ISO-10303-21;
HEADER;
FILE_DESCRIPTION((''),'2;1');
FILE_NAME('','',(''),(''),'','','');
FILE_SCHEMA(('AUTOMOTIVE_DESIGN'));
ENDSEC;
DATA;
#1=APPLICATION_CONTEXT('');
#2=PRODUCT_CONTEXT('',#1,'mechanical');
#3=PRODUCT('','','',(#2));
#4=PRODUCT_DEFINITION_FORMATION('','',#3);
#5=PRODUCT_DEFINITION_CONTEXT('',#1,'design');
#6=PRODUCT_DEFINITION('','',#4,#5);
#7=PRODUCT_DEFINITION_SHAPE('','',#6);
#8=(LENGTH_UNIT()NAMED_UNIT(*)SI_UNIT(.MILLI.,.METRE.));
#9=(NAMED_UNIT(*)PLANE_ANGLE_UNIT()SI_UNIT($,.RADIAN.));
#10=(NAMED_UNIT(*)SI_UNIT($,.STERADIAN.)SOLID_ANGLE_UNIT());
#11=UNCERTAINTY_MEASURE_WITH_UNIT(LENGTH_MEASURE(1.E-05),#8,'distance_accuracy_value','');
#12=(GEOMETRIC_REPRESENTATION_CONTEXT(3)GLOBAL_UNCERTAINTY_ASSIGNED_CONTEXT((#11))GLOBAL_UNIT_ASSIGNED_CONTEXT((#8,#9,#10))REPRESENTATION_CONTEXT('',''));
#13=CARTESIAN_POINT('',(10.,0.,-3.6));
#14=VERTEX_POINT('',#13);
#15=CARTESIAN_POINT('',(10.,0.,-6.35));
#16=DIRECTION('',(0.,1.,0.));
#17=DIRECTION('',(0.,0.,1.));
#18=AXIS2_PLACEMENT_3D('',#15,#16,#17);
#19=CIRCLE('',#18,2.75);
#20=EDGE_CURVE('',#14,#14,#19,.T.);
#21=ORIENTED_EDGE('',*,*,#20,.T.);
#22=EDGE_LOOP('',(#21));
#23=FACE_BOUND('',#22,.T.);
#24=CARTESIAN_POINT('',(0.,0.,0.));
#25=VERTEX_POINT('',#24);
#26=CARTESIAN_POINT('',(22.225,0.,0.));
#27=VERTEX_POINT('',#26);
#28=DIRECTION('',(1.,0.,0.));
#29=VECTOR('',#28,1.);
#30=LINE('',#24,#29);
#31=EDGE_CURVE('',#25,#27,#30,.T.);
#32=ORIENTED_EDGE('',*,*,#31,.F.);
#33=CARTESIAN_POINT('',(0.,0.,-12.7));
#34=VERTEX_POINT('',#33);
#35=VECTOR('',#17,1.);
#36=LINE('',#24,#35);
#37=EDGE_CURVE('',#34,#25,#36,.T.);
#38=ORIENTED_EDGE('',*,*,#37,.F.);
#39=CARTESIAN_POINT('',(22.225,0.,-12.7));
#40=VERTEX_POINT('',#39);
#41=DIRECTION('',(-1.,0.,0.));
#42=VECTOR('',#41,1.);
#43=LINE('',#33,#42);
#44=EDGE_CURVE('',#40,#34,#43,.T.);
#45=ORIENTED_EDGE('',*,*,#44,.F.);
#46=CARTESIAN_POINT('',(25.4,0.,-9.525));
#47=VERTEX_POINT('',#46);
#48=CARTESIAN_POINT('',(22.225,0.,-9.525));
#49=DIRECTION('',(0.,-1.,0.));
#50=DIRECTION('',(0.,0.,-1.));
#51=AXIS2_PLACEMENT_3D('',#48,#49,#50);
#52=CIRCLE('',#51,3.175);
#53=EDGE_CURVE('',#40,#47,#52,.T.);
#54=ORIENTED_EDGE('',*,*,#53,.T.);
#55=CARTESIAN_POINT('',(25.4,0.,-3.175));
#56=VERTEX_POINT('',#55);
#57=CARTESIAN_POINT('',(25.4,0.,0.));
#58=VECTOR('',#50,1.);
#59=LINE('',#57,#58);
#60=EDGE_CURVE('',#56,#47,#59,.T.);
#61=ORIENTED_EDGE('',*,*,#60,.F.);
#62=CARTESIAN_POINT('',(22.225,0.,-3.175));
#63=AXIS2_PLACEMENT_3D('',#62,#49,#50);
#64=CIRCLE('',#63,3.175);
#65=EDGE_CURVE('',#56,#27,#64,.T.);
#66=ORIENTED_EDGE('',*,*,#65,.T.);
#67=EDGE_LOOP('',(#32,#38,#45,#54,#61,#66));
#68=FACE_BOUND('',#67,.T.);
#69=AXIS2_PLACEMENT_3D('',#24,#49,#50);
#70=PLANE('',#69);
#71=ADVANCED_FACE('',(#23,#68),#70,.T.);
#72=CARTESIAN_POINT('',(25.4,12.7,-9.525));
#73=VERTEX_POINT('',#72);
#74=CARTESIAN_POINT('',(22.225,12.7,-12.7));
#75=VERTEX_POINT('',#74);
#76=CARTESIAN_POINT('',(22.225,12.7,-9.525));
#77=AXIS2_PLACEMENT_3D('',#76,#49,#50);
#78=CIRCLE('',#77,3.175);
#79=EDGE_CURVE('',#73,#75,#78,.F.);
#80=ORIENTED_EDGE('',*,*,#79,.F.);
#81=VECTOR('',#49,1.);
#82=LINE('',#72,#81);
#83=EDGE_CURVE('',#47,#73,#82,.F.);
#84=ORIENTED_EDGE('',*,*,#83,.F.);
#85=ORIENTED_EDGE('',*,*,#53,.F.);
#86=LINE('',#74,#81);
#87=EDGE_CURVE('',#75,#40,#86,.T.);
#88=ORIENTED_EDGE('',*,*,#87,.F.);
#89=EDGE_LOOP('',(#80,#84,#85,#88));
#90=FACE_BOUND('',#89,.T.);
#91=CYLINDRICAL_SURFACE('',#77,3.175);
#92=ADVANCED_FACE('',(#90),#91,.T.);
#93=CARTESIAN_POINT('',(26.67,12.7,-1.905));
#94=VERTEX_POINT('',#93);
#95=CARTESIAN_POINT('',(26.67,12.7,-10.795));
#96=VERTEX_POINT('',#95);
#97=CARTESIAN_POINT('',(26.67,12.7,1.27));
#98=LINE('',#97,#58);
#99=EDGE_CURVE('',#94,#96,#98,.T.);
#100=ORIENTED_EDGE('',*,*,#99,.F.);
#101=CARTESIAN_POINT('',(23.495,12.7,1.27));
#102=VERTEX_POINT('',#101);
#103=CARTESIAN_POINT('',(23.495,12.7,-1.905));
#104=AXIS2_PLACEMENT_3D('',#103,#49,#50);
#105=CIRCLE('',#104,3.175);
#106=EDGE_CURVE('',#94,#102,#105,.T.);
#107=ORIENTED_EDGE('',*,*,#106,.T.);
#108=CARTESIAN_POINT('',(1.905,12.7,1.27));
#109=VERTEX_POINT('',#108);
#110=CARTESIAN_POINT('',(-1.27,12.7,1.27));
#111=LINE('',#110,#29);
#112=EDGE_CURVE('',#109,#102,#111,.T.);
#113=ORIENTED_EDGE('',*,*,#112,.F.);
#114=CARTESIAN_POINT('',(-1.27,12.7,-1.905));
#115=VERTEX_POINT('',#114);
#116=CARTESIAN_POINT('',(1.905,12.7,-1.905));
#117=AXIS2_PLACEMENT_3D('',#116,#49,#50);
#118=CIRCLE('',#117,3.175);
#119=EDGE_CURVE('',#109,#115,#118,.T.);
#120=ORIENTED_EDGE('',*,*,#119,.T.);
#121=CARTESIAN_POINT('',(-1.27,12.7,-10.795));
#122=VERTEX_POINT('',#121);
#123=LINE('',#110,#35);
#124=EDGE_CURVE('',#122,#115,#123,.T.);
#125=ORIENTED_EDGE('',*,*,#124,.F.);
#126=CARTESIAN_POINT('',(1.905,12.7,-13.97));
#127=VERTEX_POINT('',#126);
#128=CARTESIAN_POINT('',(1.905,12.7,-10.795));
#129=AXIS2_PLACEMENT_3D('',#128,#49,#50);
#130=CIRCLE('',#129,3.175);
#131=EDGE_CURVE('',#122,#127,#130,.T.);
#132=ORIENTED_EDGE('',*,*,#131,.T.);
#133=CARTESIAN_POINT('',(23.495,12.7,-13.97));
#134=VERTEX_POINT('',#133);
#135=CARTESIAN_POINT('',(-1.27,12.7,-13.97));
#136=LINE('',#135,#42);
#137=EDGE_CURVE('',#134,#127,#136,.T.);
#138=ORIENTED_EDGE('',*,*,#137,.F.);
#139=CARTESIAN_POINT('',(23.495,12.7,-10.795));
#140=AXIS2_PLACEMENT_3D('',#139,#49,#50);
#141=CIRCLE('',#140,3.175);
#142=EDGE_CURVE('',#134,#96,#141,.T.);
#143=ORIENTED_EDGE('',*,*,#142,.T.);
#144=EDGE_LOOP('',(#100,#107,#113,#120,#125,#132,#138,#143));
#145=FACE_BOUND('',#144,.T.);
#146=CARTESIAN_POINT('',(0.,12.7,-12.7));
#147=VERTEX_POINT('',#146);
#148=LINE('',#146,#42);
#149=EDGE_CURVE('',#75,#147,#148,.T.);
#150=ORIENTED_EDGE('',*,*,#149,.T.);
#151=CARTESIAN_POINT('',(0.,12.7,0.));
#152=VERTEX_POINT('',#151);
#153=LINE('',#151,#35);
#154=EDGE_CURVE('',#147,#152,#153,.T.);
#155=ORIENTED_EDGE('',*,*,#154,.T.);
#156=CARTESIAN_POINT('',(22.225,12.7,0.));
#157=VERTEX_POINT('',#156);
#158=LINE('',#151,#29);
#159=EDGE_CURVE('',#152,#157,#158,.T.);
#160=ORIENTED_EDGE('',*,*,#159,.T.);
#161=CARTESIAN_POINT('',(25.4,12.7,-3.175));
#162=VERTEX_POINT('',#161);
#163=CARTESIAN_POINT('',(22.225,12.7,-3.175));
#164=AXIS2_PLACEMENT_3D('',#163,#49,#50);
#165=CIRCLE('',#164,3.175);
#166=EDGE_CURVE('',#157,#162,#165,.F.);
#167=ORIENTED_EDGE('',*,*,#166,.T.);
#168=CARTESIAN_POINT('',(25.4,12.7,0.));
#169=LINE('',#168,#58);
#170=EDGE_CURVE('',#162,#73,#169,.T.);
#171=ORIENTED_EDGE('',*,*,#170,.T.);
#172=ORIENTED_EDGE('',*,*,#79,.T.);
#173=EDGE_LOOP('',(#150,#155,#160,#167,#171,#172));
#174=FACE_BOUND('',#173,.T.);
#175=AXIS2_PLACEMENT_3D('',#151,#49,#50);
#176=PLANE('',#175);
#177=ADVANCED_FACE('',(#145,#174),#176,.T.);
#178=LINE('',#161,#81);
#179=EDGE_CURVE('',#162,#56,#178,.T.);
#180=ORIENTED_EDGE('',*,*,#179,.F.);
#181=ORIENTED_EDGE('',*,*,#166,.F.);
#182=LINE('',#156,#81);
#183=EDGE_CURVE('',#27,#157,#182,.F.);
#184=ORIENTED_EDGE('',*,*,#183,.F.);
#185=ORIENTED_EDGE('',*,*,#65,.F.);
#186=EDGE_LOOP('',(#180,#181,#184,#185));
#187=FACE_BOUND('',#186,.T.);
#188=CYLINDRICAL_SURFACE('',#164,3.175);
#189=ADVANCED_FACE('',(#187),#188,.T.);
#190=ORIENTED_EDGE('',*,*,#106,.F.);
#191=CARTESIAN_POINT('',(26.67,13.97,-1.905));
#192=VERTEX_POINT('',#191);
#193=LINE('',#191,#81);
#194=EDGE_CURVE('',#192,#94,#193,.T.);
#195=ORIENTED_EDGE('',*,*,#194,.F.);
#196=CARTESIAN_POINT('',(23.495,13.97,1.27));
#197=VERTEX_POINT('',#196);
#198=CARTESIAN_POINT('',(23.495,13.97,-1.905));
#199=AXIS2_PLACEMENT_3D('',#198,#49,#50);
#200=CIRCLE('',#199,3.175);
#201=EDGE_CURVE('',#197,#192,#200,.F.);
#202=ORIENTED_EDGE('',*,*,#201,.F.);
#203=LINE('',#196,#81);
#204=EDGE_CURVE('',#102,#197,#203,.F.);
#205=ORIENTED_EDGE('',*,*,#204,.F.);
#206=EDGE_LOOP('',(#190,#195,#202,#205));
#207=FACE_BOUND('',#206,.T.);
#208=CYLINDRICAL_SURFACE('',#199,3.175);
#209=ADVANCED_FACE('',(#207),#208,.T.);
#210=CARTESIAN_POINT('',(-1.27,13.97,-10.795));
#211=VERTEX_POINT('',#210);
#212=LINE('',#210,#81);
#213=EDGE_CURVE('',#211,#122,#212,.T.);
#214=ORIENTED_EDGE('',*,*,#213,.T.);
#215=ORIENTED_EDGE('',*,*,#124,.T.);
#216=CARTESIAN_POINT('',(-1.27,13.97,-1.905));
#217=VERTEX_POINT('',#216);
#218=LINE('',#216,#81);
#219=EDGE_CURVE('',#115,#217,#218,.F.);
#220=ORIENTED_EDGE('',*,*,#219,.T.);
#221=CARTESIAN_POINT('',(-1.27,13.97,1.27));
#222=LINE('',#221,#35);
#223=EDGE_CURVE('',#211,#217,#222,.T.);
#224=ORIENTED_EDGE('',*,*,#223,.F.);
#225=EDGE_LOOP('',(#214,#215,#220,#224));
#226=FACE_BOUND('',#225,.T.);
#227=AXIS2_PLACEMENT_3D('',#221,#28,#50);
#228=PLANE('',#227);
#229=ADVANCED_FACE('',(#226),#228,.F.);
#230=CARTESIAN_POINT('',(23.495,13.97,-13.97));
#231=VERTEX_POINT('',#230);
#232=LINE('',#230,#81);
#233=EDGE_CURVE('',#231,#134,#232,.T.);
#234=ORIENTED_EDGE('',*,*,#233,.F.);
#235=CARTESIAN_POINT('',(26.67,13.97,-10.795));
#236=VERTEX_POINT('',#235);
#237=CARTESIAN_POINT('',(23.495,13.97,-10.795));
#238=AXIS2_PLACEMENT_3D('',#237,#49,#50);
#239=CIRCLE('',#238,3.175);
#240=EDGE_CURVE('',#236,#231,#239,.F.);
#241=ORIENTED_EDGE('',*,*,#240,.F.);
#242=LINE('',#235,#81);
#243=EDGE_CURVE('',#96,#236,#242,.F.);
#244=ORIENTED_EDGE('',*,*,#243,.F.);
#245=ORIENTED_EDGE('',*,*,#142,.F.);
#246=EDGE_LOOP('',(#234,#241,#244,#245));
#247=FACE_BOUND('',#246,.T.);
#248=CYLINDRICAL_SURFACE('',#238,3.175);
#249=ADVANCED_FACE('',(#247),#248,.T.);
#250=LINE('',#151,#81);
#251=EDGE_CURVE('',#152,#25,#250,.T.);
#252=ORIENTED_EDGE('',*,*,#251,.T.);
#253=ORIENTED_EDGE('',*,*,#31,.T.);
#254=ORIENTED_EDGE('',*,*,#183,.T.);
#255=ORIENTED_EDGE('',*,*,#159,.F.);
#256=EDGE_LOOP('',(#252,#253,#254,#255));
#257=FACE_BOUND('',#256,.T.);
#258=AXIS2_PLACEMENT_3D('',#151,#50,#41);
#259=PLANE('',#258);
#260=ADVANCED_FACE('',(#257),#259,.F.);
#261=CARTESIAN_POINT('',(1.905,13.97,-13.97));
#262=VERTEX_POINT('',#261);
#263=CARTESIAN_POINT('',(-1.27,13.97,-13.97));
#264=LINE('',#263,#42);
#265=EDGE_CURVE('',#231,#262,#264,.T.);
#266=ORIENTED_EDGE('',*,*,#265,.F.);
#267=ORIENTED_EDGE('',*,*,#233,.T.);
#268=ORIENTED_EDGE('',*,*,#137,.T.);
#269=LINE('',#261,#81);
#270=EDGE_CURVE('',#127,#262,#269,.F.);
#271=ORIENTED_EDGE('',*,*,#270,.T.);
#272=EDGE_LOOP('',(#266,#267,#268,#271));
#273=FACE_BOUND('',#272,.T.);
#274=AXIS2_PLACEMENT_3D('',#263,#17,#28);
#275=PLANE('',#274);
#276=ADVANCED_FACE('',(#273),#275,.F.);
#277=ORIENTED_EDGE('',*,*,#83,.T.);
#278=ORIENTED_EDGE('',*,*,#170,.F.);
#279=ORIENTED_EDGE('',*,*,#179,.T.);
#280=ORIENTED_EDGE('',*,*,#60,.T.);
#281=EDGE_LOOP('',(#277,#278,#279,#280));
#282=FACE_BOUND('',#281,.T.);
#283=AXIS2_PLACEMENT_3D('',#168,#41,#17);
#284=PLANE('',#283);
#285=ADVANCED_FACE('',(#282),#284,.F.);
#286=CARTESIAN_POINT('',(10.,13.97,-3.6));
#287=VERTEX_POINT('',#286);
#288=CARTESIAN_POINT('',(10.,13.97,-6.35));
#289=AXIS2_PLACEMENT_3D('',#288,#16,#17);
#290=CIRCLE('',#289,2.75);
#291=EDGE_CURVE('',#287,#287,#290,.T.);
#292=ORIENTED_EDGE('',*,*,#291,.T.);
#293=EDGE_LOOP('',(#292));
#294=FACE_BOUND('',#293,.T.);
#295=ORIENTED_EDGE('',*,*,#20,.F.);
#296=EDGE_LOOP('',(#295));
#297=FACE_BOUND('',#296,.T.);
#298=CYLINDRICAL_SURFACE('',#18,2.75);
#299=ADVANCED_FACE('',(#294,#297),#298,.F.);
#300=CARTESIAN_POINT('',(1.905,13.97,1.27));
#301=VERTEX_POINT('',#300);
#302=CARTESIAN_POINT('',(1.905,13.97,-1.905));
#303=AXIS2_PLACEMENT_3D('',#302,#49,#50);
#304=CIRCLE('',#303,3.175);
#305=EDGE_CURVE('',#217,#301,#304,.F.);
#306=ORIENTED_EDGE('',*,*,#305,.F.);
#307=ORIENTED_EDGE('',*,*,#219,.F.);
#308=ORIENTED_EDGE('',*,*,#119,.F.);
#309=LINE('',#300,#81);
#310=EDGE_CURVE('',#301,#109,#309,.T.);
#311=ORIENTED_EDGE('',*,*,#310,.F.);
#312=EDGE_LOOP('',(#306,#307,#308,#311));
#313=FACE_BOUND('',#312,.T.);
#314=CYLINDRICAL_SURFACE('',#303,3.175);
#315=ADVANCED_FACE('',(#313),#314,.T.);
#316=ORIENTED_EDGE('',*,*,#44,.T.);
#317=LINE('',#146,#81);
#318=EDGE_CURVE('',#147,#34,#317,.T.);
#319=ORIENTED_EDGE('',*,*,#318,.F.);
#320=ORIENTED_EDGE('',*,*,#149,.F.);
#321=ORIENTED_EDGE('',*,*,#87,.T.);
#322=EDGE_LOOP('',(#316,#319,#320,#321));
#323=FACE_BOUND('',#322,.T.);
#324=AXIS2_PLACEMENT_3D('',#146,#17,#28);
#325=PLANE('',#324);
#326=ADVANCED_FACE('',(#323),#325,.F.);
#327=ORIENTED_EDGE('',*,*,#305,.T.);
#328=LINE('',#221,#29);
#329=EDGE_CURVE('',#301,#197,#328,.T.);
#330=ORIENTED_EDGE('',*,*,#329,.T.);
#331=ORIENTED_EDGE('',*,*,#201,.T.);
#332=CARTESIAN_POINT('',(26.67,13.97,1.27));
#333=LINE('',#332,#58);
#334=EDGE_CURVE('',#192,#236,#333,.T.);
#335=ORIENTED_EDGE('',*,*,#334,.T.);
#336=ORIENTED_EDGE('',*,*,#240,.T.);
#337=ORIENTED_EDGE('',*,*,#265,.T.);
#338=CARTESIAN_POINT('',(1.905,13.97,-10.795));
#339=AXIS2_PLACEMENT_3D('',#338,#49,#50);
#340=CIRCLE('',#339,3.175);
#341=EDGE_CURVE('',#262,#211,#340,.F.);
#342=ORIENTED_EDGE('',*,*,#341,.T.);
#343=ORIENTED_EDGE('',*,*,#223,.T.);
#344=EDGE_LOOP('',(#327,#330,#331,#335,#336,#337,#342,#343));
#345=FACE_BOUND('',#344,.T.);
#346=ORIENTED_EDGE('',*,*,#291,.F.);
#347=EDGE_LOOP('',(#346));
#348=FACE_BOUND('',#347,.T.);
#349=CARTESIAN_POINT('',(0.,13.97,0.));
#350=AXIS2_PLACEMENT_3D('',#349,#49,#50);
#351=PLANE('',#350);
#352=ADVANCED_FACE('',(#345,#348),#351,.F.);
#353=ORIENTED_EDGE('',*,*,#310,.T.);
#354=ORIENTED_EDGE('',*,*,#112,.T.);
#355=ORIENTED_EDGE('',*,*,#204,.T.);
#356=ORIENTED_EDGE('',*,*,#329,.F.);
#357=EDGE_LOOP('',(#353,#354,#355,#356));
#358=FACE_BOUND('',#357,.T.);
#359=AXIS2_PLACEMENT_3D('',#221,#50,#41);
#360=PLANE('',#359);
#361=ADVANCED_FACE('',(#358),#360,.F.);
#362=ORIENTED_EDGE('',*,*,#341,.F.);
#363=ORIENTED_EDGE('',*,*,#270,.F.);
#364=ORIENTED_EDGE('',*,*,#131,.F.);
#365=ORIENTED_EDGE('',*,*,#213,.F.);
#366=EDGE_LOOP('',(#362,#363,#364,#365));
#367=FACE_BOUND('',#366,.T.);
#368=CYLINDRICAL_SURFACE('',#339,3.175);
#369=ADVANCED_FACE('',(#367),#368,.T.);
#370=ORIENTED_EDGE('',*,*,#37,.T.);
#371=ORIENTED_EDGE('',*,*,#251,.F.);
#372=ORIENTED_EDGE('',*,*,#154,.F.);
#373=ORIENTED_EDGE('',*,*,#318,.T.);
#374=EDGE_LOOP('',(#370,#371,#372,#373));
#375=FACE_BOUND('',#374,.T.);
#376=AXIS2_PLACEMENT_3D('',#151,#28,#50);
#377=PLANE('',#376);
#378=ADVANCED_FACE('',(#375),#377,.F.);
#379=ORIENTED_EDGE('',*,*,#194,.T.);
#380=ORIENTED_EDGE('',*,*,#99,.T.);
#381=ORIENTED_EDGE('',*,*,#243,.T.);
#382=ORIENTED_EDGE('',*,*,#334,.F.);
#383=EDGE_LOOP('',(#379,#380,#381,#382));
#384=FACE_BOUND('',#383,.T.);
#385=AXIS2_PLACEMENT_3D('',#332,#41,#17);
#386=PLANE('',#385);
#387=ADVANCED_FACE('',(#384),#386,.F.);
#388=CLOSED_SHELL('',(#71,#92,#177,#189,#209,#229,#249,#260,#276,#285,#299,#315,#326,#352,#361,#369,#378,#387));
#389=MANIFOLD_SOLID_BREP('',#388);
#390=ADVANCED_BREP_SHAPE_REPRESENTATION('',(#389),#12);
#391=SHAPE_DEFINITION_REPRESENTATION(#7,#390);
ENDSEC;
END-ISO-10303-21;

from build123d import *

# Parameters (mm, degrees)
SKETCH1_W           = 25.4
SKETCH1_H           = 12.7
BOSS_EXTRUDE1_DEPTH = 12.7
FILLET1_R           = 3.175
SKETCH2_R           = 2.75
CUT_EXTRUDE1_DEPTH  = 32.108519733
BOSS_EXTRUDE2_START = 1.27
SKETCH3_W           = 27.94
SKETCH3_H           = 15.24
SKETCH3_R           = 2.75
BOSS_EXTRUDE2_DEPTH = 1.27
FILLET2_R           = 3.175


with BuildPart() as part:
    # Sketch1 → Boss-Extrude1 (new body)
    with BuildSketch(Plane(origin=(0, 0, 0), x_dir=(1, 0, 0), z_dir=(0, 1, 0))):
        with Locations((12.7, 6.35)):
            Rectangle(SKETCH1_W, SKETCH1_H)
    extrude(amount=BOSS_EXTRUDE1_DEPTH)

    # Fillet1
    fillet1_edges = [part.edges().sort_by_distance(p)[0] for p in [
        (25.4, 6.35, -12.7),
        (25.4, 6.35, 0),
    ]]
    fillet(fillet1_edges, radius=FILLET1_R)

    # Sketch2 → Cut-Extrude1 (cut, through all)
    with BuildSketch(Plane(origin=(0, 12.7, 0), x_dir=(1, 0, 0), z_dir=(0, 1, 0))):
        with Locations(Location((10, 6.35, 0), (0, 0, 270))):
            Circle(SKETCH2_R)
    extrude(amount=-CUT_EXTRUDE1_DEPTH, mode=Mode.SUBTRACT)

    # Sketch3 → Boss-Extrude2 (add)
    with BuildSketch(Plane(origin=(0, 12.7, 0), x_dir=(1, 0, 0), z_dir=(0, 1, 0)).offset(BOSS_EXTRUDE2_START)):
        with Locations((12.7, 6.35)):
            Rectangle(SKETCH3_W, SKETCH3_H)
        with Locations(Location((10, 6.35, 0), (0, 0, 270))):
            Circle(SKETCH3_R, mode=Mode.SUBTRACT)
    extrude(amount=-BOSS_EXTRUDE2_DEPTH)

    # Fillet2
    fillet2_edges = [part.edges().sort_by_distance(p)[0] for p in [
        (-1.27, 13.335, -13.97),
        (-1.27, 13.335, 1.27),
        (26.67, 13.335, 1.27),
        (26.67, 13.335, -13.97),
    ]]
    fillet(fillet2_edges, radius=FILLET2_R)


solid = part.part
